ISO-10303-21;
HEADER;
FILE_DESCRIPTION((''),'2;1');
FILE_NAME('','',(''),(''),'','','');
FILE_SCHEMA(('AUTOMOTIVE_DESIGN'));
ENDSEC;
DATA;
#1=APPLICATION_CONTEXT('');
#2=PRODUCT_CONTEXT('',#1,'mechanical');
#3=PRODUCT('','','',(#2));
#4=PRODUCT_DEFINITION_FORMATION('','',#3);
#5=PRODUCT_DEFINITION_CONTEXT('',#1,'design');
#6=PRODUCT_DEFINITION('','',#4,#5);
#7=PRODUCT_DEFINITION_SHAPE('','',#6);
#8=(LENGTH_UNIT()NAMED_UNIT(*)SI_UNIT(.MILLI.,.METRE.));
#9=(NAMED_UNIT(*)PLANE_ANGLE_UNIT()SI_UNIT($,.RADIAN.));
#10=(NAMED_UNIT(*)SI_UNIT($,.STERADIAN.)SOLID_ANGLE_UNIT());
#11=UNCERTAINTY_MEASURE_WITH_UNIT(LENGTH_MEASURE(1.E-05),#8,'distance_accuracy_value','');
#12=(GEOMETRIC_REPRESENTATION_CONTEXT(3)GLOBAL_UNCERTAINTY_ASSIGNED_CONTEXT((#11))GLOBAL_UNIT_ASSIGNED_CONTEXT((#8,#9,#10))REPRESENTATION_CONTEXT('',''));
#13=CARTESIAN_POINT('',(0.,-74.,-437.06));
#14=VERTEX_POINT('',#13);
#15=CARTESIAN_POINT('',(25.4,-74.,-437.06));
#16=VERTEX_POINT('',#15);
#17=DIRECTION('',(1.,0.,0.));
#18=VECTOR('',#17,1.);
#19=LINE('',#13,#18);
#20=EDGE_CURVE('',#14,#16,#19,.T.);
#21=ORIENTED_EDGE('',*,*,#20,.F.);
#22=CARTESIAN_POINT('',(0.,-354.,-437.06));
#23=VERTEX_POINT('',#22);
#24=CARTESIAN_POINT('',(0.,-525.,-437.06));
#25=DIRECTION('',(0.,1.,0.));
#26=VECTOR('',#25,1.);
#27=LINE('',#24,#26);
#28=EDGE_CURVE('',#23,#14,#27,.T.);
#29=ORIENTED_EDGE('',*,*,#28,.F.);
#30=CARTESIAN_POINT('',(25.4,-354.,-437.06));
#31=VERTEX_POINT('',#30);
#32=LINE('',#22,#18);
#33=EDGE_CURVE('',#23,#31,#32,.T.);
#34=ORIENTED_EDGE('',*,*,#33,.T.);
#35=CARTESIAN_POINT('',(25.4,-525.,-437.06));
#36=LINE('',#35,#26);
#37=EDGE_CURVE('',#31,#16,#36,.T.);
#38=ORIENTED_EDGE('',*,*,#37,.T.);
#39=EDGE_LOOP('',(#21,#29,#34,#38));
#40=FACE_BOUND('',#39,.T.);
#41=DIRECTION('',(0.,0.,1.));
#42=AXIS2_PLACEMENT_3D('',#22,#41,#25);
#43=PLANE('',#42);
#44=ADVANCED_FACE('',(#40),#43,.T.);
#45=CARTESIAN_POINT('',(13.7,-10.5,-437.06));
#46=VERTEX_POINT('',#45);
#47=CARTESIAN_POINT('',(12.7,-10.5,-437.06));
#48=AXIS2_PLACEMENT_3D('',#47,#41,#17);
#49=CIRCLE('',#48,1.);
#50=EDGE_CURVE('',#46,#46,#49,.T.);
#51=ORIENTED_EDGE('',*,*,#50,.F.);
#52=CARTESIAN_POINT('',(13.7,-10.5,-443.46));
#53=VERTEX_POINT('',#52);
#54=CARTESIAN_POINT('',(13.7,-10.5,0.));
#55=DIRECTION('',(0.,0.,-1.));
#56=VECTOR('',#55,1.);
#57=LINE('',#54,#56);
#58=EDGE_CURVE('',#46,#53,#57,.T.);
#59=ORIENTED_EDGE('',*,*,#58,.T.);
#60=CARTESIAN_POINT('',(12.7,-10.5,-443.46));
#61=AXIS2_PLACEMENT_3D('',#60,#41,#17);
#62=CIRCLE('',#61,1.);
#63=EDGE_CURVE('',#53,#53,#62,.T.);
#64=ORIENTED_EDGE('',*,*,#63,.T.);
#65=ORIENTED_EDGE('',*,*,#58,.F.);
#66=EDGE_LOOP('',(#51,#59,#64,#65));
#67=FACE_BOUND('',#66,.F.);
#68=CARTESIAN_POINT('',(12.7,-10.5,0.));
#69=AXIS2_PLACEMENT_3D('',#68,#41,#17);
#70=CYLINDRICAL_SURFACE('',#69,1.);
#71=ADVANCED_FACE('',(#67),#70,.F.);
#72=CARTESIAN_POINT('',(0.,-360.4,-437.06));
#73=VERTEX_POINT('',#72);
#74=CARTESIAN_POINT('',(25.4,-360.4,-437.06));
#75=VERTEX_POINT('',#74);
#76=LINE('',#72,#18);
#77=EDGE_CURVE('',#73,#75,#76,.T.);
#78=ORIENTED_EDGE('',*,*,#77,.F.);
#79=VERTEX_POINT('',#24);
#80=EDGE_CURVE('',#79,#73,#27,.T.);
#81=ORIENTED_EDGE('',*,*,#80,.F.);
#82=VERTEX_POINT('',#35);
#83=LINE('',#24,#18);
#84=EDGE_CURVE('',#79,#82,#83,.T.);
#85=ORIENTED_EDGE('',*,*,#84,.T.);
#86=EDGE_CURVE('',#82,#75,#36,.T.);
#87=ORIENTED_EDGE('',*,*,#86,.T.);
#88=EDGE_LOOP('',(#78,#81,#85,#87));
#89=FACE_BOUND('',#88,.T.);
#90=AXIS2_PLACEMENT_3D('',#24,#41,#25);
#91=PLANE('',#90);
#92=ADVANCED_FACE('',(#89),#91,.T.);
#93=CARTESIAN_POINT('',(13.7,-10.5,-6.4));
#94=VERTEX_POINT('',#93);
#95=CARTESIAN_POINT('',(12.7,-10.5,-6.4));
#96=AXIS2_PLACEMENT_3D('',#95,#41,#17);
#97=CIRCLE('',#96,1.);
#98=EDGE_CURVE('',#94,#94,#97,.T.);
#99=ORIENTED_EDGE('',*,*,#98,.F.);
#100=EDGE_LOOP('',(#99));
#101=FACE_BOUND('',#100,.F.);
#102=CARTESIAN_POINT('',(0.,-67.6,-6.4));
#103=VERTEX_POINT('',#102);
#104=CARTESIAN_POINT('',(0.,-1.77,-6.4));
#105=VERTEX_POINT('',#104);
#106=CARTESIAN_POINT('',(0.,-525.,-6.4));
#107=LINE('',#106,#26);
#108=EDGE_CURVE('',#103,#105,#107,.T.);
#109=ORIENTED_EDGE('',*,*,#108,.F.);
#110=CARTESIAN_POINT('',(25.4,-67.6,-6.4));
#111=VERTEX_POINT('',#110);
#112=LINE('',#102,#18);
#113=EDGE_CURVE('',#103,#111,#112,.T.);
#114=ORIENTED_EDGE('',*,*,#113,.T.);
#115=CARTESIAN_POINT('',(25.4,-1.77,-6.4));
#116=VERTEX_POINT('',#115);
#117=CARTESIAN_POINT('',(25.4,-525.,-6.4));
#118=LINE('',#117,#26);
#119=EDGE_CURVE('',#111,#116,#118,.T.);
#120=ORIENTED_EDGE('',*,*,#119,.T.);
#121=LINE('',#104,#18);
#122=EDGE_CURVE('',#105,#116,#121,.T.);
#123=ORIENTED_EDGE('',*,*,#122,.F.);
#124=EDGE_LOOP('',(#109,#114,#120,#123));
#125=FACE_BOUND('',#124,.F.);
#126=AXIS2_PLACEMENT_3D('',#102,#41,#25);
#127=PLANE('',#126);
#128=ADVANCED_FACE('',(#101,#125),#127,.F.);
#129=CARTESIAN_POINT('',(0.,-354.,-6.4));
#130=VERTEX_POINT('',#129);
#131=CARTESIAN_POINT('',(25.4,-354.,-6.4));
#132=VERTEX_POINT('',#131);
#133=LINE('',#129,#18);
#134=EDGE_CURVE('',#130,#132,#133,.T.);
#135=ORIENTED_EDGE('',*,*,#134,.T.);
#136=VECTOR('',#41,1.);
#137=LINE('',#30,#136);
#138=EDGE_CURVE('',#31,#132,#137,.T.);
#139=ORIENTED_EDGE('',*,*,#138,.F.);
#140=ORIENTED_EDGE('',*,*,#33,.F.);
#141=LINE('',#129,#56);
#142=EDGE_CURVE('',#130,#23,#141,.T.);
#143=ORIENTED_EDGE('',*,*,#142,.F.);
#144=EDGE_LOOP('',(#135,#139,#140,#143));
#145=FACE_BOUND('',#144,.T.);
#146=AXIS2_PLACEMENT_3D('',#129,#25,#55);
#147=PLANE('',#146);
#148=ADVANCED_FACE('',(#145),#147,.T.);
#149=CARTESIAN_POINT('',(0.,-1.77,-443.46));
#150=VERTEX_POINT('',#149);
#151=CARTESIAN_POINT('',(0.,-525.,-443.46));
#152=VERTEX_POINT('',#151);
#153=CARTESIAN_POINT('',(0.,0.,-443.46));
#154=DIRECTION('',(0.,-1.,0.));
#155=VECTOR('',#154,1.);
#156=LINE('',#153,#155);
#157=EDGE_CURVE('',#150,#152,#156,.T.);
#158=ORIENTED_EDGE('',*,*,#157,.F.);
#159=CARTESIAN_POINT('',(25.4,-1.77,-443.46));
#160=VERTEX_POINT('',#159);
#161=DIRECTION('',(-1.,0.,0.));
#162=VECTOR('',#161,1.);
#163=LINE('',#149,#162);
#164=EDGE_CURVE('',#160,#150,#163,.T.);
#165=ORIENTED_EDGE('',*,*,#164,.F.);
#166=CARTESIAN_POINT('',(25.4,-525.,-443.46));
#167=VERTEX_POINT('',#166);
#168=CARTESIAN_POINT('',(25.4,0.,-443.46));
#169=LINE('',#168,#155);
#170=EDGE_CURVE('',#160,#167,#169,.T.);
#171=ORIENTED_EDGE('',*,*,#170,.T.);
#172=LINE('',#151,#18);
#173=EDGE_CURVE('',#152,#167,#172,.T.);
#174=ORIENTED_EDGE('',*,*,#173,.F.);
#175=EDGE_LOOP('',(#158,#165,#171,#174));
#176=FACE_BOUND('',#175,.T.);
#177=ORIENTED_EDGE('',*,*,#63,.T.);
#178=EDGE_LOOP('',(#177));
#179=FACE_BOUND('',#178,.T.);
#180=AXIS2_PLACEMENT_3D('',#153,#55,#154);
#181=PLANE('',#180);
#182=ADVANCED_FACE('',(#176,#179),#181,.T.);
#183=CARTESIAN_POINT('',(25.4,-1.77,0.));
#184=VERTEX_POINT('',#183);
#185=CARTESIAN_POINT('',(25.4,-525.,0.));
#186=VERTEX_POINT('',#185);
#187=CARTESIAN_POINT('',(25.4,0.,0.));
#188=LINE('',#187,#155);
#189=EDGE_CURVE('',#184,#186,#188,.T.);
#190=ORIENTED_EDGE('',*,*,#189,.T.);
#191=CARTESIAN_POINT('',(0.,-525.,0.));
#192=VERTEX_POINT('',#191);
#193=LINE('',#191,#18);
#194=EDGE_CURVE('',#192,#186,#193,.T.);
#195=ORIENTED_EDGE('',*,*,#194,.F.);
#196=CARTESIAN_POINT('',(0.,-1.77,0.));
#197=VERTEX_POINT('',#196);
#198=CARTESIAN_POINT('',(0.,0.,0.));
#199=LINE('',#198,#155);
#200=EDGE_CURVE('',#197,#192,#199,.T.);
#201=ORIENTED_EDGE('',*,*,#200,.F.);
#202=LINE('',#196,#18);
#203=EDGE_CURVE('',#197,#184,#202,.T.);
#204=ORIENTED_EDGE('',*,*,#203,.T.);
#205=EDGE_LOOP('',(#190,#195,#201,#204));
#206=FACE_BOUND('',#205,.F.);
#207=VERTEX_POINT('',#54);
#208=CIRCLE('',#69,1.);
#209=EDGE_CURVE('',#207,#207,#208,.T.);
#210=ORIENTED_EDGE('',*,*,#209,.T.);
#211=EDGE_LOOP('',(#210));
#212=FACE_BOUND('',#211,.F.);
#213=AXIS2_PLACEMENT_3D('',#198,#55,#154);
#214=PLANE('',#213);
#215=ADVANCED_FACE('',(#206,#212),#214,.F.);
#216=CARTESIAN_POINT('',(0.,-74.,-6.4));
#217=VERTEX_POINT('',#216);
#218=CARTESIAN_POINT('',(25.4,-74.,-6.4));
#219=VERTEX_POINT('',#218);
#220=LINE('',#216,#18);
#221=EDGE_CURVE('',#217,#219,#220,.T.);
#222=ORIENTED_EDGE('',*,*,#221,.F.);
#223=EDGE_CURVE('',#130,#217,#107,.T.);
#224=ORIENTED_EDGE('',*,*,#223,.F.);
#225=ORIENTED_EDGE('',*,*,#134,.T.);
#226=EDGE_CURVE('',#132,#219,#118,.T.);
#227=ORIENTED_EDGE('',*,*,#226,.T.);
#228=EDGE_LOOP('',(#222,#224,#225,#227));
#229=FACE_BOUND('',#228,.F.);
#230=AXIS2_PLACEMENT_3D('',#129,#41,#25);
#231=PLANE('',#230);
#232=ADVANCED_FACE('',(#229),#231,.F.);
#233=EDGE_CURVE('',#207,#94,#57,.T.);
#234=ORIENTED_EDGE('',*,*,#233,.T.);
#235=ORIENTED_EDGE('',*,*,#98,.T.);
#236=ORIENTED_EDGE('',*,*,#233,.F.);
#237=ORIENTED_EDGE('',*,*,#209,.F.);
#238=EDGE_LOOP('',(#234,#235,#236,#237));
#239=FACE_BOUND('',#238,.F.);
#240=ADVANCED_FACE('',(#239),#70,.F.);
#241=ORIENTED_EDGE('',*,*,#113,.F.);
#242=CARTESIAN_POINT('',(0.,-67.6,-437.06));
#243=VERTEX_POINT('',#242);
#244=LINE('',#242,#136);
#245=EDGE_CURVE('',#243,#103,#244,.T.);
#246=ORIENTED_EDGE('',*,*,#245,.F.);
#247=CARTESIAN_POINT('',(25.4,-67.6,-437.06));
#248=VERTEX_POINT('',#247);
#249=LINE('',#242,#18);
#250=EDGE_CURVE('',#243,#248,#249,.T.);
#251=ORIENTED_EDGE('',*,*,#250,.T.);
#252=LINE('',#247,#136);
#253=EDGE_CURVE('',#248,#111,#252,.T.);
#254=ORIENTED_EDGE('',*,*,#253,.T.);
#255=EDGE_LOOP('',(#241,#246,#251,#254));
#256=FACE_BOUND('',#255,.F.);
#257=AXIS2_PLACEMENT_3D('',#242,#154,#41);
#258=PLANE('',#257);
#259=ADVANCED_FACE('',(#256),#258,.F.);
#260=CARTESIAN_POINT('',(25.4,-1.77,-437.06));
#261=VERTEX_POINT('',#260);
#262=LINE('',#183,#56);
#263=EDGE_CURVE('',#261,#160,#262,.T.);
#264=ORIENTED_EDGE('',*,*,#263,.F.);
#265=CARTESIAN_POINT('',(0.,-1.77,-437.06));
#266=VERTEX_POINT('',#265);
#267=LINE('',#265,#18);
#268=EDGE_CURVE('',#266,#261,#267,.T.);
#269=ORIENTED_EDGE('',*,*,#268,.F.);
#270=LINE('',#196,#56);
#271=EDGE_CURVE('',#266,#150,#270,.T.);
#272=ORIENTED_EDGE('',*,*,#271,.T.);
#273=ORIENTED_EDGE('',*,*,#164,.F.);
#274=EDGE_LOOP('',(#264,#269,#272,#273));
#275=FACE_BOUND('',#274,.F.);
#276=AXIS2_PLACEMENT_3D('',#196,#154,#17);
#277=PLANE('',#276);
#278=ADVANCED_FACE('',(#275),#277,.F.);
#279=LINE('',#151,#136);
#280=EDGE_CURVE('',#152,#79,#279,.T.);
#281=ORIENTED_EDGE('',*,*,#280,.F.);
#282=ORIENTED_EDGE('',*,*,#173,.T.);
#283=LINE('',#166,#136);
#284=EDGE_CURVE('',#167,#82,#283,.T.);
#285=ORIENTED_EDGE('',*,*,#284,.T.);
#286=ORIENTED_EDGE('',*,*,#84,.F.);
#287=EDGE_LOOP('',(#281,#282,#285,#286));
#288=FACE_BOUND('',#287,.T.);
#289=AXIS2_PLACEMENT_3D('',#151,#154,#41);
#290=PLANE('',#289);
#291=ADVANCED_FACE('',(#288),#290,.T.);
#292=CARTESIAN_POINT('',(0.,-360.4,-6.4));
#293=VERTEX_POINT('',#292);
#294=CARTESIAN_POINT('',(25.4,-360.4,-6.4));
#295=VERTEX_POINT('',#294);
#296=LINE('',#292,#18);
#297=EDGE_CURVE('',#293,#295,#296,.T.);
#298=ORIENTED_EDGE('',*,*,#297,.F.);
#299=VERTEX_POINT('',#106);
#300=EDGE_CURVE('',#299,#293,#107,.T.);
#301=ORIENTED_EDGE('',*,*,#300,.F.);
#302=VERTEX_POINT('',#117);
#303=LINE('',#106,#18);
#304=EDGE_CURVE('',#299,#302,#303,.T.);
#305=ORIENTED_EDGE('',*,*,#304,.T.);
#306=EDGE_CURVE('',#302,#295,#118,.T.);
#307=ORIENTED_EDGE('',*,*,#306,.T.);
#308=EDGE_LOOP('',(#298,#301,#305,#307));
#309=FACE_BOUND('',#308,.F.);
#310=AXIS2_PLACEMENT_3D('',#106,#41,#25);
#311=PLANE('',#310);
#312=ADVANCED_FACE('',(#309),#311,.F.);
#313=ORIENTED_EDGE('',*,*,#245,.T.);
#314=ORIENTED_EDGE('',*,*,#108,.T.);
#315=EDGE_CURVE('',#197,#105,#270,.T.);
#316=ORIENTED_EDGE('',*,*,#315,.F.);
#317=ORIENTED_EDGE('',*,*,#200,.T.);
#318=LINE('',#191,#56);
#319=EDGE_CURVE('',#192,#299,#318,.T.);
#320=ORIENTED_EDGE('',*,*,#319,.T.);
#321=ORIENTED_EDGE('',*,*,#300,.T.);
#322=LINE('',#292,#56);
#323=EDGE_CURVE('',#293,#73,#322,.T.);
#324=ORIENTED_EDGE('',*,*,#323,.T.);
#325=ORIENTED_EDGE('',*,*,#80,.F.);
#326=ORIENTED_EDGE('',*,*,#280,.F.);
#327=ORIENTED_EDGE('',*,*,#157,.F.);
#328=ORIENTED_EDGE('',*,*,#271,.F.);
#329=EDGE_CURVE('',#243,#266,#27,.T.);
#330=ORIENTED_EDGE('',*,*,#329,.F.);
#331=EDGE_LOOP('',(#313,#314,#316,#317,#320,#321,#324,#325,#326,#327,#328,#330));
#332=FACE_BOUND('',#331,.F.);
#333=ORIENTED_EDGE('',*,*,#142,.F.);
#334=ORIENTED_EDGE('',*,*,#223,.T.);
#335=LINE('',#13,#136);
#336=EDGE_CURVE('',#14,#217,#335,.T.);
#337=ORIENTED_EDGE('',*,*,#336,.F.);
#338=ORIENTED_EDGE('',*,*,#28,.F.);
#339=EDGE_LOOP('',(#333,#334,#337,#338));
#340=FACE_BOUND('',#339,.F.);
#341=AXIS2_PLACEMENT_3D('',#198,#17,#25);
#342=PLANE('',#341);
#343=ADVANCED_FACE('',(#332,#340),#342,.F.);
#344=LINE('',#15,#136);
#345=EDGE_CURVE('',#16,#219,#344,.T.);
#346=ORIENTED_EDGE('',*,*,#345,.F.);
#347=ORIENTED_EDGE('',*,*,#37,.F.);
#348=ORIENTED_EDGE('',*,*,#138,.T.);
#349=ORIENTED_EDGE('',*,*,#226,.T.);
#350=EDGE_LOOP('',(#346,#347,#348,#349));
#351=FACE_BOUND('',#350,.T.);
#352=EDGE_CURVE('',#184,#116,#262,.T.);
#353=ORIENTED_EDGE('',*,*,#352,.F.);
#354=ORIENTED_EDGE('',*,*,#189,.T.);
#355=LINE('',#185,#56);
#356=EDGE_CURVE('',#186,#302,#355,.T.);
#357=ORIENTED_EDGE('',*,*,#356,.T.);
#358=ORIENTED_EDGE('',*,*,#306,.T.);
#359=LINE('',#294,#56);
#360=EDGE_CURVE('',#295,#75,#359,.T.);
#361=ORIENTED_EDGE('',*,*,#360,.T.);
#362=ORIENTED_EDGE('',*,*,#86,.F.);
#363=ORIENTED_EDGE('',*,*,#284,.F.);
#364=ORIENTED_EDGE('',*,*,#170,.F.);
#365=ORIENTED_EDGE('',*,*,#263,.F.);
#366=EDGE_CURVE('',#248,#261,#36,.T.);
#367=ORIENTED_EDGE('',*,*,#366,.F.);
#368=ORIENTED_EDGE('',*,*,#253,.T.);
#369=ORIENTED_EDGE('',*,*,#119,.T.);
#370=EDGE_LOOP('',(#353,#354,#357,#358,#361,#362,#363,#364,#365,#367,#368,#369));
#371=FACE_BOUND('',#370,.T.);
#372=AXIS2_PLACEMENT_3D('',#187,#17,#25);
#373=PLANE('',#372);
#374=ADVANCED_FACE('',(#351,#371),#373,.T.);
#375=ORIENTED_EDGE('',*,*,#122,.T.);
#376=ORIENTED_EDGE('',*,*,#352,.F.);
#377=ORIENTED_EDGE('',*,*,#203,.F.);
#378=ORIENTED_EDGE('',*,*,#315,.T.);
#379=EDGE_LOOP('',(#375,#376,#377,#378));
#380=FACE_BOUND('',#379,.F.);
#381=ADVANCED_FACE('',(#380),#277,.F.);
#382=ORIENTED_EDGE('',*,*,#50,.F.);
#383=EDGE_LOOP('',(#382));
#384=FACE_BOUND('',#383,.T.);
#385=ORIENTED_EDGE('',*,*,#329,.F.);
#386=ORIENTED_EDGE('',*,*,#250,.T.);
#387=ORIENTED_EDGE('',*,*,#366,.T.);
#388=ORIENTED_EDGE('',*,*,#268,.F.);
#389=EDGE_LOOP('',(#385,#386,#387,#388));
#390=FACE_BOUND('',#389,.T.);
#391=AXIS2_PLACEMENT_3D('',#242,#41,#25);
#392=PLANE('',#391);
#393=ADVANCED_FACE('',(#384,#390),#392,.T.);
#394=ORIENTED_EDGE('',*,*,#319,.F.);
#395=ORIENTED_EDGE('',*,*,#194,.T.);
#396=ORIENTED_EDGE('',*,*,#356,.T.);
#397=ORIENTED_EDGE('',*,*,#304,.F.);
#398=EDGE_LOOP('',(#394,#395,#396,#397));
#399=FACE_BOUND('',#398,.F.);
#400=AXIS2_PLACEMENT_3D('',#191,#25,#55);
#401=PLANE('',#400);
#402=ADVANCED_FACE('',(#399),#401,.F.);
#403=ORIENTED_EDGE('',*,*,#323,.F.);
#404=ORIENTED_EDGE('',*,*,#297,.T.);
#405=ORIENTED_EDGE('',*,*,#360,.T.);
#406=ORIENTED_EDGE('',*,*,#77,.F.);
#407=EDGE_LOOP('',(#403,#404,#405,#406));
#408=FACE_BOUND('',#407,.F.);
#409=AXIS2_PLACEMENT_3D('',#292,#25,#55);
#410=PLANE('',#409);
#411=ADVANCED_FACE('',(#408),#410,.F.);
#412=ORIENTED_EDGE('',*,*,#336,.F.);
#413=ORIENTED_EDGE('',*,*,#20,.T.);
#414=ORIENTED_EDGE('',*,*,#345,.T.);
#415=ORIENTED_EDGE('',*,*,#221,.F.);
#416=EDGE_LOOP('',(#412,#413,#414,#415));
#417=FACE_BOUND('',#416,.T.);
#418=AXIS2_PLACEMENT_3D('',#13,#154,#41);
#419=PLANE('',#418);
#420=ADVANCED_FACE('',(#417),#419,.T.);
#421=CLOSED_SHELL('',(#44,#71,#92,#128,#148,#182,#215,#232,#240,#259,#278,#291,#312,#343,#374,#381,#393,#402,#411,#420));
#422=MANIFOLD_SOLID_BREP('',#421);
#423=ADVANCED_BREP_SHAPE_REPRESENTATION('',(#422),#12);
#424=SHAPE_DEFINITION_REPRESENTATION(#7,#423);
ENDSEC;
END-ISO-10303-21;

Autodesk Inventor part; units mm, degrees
ref_plane "YZ Plane" through (0, 0, 0) normal (1, 0, 0) x (0, 1, 0)
ref_plane "XZ Plane" through (0, 0, 0) normal (0, 1, 0) x (-1, 0, 0)
ref_plane "XY Plane" through (0, 0, 0) normal (0, 0, 1) x (1, 0, 0)
sketch "Boceto1" plane through (0, 0, 0) normal (1, 0, 0) x (0, 1, 0)
  line L0 (0, 0) -> (-525, 0)
  line L1 (-525, 0) -> (-525, -6.4)
  line L2 (-525, -6.4) -> (0, -6.4)
  line L3 (0, -6.4) -> (0, 0)
  line L4 (-525, -6.4) -> (-354, -6.4)
  line L5 (-354, -6.4) -> (-354, -7.7448)
  line L6 (-354, -6.4) -> (-354, -437.06)
  line L7 (-354, -6.4) -> (-360.4, -6.4)
  line L8 (-360.4, -6.4) -> (-360.4, -437.06)
  line L9 (0, -443.46) -> (-525, -443.46)
  line L10 (-525, -443.46) -> (-525, -437.06)
  line L11 (-525, -437.06) -> (0, -437.06)
  line L12 (0, -437.06) -> (0, -443.46)
  line L13 (-354, -437.06) -> (-74, -437.06)
  line L14 (-74, -437.06) -> (-74, -6.4)
  line L15 (-74, -437.06) -> (-67.6, -437.06)
  line L16 (-67.6, -437.06) -> (-67.6, -6.4)
  dimension "d0" = 525
  dimension "d1" = 6.4
  dimension "d2" = 171
  dimension "d3" = 430.66
  dimension "d4" = 6.4
  dimension "d5" = 430.66
  dimension "d6" = 280
  dimension "d7" = 6.4
extrude "Extrusión1" add sketch "Boceto1" along normal blind 25.4 contours L3 L2 L1 L0 | L16 L11 L14 L2 | L2 L5 L6 L11 L8 | L11 L12 L9 L10
sketch "Boceto2" plane through (0, -525, 0) normal (0, 0, 1) x (1, 0, 0)
  line L0 (0, 525) -> (0, 523.23)
  line L1 (0, 525) -> (0, 0) projected
  line L2 (0, 523.23) -> (25.4, 523.23)
  line L3 (25.4, 525) -> (25.4, 0) projected
  line L4 (25.4, 525) -> (0, 525)
  dimension "d10" = 1.77
extrude "Extrusión2" cut sketch "Boceto2" against normal through all
sketch "Boceto3" plane through (0, -525, 0) normal (0, 0, 1) x (1, 0, 0)
  line L0 (0, 523.23) -> (25.4, 523.23) projected
  line L1 (25.4, 523.23) -> (25.4, 514.5)
  line L2 (25.4, 0) -> (25.4, 523.23) projected
  line L3 (25.4, 514.5) -> (12.7, 514.5)
  circle A0 centre (12.7, 514.5) radius 1
  point P0 (0, 525)
  dimension "d13" = 8.73
  dimension "d14" = 12.7
  dimension "d15" = 2
extrude "Extrusión3" cut sketch "Boceto3" against normal through all
properties part number "Soporte_molde"
